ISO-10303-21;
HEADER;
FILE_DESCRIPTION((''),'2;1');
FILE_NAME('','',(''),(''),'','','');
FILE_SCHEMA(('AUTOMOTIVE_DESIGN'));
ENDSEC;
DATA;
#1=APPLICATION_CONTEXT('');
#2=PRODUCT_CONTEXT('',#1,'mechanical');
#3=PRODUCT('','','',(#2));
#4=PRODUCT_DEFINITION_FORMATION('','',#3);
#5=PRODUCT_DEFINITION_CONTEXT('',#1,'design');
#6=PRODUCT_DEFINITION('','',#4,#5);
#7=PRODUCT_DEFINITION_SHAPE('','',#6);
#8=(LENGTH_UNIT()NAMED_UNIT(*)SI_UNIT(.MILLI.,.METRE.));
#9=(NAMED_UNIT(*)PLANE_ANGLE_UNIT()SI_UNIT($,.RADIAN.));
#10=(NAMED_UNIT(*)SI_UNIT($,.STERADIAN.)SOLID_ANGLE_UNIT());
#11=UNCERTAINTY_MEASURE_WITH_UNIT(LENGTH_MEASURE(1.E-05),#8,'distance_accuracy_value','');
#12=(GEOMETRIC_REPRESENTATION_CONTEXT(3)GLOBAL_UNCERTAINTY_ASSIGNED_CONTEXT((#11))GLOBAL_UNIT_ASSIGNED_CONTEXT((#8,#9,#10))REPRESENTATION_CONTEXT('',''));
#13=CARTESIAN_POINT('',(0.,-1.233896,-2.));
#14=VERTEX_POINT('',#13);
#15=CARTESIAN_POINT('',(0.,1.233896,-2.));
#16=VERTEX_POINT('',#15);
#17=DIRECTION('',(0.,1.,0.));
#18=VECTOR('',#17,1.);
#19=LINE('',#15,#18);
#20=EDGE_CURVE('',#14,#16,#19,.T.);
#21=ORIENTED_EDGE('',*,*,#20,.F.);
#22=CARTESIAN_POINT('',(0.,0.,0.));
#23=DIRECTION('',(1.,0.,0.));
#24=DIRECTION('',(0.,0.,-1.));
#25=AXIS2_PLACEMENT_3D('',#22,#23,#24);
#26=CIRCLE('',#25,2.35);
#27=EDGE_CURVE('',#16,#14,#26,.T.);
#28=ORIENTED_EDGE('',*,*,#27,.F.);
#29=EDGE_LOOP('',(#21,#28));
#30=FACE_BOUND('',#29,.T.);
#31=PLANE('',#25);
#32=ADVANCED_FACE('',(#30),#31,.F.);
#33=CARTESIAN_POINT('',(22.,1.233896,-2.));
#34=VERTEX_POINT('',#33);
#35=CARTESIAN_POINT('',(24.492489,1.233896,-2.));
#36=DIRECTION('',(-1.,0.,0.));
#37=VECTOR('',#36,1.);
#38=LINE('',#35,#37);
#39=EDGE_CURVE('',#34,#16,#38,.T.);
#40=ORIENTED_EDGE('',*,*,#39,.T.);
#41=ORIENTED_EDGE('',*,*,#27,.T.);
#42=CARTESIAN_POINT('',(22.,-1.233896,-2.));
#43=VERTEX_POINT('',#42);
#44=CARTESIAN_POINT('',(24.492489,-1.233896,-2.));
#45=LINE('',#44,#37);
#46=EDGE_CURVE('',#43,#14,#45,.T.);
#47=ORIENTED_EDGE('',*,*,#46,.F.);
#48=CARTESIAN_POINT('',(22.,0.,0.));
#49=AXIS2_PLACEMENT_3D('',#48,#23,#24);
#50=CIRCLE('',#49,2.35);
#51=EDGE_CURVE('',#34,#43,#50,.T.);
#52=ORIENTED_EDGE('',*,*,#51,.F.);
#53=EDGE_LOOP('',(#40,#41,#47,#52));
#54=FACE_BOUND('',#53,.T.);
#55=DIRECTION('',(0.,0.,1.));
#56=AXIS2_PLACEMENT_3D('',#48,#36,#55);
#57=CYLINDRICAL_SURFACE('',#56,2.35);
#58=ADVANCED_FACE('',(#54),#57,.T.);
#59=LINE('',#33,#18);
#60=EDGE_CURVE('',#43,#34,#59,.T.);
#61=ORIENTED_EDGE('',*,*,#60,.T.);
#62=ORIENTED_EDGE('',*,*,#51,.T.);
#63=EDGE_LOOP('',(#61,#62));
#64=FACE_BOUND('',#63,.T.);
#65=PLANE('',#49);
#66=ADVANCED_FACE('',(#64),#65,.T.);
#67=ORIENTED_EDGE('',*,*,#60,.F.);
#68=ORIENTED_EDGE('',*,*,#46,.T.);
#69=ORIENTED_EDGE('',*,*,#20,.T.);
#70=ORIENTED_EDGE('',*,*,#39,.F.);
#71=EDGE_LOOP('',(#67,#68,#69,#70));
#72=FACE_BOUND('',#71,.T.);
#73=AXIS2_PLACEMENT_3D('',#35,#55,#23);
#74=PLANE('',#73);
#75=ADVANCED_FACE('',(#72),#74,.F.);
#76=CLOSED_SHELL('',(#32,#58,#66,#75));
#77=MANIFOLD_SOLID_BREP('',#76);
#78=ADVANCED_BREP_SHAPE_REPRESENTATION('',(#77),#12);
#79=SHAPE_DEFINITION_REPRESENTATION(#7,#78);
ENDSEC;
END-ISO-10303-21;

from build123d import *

# Parameters (mm, degrees)
SKETCH1_R           = 2.35
BOSS_EXTRUDE1_DEPTH = 22
CUT_EXTRUDE1_DEPTH  = 22


with BuildPart() as part:
    # Sketch1 → Boss-Extrude1 (new body)
    with BuildSketch(Plane(origin=(0, 0, 0), x_dir=(0, 0, -1), z_dir=(1, 0, 0))):
        Circle(SKETCH1_R)
    extrude(amount=BOSS_EXTRUDE1_DEPTH)

    # Sketch2 → Cut-Extrude1 (cut)
    with BuildSketch(Plane.ZY):
        with BuildLine():
            Line((-2, 1.233896268), (-2, -1.233896268))
            ThreePointArc((-2, -1.233896268), (-2.35, 0), (-2, 1.233896268))
        make_face()
    extrude(amount=-CUT_EXTRUDE1_DEPTH, mode=Mode.SUBTRACT)


solid = part.part
